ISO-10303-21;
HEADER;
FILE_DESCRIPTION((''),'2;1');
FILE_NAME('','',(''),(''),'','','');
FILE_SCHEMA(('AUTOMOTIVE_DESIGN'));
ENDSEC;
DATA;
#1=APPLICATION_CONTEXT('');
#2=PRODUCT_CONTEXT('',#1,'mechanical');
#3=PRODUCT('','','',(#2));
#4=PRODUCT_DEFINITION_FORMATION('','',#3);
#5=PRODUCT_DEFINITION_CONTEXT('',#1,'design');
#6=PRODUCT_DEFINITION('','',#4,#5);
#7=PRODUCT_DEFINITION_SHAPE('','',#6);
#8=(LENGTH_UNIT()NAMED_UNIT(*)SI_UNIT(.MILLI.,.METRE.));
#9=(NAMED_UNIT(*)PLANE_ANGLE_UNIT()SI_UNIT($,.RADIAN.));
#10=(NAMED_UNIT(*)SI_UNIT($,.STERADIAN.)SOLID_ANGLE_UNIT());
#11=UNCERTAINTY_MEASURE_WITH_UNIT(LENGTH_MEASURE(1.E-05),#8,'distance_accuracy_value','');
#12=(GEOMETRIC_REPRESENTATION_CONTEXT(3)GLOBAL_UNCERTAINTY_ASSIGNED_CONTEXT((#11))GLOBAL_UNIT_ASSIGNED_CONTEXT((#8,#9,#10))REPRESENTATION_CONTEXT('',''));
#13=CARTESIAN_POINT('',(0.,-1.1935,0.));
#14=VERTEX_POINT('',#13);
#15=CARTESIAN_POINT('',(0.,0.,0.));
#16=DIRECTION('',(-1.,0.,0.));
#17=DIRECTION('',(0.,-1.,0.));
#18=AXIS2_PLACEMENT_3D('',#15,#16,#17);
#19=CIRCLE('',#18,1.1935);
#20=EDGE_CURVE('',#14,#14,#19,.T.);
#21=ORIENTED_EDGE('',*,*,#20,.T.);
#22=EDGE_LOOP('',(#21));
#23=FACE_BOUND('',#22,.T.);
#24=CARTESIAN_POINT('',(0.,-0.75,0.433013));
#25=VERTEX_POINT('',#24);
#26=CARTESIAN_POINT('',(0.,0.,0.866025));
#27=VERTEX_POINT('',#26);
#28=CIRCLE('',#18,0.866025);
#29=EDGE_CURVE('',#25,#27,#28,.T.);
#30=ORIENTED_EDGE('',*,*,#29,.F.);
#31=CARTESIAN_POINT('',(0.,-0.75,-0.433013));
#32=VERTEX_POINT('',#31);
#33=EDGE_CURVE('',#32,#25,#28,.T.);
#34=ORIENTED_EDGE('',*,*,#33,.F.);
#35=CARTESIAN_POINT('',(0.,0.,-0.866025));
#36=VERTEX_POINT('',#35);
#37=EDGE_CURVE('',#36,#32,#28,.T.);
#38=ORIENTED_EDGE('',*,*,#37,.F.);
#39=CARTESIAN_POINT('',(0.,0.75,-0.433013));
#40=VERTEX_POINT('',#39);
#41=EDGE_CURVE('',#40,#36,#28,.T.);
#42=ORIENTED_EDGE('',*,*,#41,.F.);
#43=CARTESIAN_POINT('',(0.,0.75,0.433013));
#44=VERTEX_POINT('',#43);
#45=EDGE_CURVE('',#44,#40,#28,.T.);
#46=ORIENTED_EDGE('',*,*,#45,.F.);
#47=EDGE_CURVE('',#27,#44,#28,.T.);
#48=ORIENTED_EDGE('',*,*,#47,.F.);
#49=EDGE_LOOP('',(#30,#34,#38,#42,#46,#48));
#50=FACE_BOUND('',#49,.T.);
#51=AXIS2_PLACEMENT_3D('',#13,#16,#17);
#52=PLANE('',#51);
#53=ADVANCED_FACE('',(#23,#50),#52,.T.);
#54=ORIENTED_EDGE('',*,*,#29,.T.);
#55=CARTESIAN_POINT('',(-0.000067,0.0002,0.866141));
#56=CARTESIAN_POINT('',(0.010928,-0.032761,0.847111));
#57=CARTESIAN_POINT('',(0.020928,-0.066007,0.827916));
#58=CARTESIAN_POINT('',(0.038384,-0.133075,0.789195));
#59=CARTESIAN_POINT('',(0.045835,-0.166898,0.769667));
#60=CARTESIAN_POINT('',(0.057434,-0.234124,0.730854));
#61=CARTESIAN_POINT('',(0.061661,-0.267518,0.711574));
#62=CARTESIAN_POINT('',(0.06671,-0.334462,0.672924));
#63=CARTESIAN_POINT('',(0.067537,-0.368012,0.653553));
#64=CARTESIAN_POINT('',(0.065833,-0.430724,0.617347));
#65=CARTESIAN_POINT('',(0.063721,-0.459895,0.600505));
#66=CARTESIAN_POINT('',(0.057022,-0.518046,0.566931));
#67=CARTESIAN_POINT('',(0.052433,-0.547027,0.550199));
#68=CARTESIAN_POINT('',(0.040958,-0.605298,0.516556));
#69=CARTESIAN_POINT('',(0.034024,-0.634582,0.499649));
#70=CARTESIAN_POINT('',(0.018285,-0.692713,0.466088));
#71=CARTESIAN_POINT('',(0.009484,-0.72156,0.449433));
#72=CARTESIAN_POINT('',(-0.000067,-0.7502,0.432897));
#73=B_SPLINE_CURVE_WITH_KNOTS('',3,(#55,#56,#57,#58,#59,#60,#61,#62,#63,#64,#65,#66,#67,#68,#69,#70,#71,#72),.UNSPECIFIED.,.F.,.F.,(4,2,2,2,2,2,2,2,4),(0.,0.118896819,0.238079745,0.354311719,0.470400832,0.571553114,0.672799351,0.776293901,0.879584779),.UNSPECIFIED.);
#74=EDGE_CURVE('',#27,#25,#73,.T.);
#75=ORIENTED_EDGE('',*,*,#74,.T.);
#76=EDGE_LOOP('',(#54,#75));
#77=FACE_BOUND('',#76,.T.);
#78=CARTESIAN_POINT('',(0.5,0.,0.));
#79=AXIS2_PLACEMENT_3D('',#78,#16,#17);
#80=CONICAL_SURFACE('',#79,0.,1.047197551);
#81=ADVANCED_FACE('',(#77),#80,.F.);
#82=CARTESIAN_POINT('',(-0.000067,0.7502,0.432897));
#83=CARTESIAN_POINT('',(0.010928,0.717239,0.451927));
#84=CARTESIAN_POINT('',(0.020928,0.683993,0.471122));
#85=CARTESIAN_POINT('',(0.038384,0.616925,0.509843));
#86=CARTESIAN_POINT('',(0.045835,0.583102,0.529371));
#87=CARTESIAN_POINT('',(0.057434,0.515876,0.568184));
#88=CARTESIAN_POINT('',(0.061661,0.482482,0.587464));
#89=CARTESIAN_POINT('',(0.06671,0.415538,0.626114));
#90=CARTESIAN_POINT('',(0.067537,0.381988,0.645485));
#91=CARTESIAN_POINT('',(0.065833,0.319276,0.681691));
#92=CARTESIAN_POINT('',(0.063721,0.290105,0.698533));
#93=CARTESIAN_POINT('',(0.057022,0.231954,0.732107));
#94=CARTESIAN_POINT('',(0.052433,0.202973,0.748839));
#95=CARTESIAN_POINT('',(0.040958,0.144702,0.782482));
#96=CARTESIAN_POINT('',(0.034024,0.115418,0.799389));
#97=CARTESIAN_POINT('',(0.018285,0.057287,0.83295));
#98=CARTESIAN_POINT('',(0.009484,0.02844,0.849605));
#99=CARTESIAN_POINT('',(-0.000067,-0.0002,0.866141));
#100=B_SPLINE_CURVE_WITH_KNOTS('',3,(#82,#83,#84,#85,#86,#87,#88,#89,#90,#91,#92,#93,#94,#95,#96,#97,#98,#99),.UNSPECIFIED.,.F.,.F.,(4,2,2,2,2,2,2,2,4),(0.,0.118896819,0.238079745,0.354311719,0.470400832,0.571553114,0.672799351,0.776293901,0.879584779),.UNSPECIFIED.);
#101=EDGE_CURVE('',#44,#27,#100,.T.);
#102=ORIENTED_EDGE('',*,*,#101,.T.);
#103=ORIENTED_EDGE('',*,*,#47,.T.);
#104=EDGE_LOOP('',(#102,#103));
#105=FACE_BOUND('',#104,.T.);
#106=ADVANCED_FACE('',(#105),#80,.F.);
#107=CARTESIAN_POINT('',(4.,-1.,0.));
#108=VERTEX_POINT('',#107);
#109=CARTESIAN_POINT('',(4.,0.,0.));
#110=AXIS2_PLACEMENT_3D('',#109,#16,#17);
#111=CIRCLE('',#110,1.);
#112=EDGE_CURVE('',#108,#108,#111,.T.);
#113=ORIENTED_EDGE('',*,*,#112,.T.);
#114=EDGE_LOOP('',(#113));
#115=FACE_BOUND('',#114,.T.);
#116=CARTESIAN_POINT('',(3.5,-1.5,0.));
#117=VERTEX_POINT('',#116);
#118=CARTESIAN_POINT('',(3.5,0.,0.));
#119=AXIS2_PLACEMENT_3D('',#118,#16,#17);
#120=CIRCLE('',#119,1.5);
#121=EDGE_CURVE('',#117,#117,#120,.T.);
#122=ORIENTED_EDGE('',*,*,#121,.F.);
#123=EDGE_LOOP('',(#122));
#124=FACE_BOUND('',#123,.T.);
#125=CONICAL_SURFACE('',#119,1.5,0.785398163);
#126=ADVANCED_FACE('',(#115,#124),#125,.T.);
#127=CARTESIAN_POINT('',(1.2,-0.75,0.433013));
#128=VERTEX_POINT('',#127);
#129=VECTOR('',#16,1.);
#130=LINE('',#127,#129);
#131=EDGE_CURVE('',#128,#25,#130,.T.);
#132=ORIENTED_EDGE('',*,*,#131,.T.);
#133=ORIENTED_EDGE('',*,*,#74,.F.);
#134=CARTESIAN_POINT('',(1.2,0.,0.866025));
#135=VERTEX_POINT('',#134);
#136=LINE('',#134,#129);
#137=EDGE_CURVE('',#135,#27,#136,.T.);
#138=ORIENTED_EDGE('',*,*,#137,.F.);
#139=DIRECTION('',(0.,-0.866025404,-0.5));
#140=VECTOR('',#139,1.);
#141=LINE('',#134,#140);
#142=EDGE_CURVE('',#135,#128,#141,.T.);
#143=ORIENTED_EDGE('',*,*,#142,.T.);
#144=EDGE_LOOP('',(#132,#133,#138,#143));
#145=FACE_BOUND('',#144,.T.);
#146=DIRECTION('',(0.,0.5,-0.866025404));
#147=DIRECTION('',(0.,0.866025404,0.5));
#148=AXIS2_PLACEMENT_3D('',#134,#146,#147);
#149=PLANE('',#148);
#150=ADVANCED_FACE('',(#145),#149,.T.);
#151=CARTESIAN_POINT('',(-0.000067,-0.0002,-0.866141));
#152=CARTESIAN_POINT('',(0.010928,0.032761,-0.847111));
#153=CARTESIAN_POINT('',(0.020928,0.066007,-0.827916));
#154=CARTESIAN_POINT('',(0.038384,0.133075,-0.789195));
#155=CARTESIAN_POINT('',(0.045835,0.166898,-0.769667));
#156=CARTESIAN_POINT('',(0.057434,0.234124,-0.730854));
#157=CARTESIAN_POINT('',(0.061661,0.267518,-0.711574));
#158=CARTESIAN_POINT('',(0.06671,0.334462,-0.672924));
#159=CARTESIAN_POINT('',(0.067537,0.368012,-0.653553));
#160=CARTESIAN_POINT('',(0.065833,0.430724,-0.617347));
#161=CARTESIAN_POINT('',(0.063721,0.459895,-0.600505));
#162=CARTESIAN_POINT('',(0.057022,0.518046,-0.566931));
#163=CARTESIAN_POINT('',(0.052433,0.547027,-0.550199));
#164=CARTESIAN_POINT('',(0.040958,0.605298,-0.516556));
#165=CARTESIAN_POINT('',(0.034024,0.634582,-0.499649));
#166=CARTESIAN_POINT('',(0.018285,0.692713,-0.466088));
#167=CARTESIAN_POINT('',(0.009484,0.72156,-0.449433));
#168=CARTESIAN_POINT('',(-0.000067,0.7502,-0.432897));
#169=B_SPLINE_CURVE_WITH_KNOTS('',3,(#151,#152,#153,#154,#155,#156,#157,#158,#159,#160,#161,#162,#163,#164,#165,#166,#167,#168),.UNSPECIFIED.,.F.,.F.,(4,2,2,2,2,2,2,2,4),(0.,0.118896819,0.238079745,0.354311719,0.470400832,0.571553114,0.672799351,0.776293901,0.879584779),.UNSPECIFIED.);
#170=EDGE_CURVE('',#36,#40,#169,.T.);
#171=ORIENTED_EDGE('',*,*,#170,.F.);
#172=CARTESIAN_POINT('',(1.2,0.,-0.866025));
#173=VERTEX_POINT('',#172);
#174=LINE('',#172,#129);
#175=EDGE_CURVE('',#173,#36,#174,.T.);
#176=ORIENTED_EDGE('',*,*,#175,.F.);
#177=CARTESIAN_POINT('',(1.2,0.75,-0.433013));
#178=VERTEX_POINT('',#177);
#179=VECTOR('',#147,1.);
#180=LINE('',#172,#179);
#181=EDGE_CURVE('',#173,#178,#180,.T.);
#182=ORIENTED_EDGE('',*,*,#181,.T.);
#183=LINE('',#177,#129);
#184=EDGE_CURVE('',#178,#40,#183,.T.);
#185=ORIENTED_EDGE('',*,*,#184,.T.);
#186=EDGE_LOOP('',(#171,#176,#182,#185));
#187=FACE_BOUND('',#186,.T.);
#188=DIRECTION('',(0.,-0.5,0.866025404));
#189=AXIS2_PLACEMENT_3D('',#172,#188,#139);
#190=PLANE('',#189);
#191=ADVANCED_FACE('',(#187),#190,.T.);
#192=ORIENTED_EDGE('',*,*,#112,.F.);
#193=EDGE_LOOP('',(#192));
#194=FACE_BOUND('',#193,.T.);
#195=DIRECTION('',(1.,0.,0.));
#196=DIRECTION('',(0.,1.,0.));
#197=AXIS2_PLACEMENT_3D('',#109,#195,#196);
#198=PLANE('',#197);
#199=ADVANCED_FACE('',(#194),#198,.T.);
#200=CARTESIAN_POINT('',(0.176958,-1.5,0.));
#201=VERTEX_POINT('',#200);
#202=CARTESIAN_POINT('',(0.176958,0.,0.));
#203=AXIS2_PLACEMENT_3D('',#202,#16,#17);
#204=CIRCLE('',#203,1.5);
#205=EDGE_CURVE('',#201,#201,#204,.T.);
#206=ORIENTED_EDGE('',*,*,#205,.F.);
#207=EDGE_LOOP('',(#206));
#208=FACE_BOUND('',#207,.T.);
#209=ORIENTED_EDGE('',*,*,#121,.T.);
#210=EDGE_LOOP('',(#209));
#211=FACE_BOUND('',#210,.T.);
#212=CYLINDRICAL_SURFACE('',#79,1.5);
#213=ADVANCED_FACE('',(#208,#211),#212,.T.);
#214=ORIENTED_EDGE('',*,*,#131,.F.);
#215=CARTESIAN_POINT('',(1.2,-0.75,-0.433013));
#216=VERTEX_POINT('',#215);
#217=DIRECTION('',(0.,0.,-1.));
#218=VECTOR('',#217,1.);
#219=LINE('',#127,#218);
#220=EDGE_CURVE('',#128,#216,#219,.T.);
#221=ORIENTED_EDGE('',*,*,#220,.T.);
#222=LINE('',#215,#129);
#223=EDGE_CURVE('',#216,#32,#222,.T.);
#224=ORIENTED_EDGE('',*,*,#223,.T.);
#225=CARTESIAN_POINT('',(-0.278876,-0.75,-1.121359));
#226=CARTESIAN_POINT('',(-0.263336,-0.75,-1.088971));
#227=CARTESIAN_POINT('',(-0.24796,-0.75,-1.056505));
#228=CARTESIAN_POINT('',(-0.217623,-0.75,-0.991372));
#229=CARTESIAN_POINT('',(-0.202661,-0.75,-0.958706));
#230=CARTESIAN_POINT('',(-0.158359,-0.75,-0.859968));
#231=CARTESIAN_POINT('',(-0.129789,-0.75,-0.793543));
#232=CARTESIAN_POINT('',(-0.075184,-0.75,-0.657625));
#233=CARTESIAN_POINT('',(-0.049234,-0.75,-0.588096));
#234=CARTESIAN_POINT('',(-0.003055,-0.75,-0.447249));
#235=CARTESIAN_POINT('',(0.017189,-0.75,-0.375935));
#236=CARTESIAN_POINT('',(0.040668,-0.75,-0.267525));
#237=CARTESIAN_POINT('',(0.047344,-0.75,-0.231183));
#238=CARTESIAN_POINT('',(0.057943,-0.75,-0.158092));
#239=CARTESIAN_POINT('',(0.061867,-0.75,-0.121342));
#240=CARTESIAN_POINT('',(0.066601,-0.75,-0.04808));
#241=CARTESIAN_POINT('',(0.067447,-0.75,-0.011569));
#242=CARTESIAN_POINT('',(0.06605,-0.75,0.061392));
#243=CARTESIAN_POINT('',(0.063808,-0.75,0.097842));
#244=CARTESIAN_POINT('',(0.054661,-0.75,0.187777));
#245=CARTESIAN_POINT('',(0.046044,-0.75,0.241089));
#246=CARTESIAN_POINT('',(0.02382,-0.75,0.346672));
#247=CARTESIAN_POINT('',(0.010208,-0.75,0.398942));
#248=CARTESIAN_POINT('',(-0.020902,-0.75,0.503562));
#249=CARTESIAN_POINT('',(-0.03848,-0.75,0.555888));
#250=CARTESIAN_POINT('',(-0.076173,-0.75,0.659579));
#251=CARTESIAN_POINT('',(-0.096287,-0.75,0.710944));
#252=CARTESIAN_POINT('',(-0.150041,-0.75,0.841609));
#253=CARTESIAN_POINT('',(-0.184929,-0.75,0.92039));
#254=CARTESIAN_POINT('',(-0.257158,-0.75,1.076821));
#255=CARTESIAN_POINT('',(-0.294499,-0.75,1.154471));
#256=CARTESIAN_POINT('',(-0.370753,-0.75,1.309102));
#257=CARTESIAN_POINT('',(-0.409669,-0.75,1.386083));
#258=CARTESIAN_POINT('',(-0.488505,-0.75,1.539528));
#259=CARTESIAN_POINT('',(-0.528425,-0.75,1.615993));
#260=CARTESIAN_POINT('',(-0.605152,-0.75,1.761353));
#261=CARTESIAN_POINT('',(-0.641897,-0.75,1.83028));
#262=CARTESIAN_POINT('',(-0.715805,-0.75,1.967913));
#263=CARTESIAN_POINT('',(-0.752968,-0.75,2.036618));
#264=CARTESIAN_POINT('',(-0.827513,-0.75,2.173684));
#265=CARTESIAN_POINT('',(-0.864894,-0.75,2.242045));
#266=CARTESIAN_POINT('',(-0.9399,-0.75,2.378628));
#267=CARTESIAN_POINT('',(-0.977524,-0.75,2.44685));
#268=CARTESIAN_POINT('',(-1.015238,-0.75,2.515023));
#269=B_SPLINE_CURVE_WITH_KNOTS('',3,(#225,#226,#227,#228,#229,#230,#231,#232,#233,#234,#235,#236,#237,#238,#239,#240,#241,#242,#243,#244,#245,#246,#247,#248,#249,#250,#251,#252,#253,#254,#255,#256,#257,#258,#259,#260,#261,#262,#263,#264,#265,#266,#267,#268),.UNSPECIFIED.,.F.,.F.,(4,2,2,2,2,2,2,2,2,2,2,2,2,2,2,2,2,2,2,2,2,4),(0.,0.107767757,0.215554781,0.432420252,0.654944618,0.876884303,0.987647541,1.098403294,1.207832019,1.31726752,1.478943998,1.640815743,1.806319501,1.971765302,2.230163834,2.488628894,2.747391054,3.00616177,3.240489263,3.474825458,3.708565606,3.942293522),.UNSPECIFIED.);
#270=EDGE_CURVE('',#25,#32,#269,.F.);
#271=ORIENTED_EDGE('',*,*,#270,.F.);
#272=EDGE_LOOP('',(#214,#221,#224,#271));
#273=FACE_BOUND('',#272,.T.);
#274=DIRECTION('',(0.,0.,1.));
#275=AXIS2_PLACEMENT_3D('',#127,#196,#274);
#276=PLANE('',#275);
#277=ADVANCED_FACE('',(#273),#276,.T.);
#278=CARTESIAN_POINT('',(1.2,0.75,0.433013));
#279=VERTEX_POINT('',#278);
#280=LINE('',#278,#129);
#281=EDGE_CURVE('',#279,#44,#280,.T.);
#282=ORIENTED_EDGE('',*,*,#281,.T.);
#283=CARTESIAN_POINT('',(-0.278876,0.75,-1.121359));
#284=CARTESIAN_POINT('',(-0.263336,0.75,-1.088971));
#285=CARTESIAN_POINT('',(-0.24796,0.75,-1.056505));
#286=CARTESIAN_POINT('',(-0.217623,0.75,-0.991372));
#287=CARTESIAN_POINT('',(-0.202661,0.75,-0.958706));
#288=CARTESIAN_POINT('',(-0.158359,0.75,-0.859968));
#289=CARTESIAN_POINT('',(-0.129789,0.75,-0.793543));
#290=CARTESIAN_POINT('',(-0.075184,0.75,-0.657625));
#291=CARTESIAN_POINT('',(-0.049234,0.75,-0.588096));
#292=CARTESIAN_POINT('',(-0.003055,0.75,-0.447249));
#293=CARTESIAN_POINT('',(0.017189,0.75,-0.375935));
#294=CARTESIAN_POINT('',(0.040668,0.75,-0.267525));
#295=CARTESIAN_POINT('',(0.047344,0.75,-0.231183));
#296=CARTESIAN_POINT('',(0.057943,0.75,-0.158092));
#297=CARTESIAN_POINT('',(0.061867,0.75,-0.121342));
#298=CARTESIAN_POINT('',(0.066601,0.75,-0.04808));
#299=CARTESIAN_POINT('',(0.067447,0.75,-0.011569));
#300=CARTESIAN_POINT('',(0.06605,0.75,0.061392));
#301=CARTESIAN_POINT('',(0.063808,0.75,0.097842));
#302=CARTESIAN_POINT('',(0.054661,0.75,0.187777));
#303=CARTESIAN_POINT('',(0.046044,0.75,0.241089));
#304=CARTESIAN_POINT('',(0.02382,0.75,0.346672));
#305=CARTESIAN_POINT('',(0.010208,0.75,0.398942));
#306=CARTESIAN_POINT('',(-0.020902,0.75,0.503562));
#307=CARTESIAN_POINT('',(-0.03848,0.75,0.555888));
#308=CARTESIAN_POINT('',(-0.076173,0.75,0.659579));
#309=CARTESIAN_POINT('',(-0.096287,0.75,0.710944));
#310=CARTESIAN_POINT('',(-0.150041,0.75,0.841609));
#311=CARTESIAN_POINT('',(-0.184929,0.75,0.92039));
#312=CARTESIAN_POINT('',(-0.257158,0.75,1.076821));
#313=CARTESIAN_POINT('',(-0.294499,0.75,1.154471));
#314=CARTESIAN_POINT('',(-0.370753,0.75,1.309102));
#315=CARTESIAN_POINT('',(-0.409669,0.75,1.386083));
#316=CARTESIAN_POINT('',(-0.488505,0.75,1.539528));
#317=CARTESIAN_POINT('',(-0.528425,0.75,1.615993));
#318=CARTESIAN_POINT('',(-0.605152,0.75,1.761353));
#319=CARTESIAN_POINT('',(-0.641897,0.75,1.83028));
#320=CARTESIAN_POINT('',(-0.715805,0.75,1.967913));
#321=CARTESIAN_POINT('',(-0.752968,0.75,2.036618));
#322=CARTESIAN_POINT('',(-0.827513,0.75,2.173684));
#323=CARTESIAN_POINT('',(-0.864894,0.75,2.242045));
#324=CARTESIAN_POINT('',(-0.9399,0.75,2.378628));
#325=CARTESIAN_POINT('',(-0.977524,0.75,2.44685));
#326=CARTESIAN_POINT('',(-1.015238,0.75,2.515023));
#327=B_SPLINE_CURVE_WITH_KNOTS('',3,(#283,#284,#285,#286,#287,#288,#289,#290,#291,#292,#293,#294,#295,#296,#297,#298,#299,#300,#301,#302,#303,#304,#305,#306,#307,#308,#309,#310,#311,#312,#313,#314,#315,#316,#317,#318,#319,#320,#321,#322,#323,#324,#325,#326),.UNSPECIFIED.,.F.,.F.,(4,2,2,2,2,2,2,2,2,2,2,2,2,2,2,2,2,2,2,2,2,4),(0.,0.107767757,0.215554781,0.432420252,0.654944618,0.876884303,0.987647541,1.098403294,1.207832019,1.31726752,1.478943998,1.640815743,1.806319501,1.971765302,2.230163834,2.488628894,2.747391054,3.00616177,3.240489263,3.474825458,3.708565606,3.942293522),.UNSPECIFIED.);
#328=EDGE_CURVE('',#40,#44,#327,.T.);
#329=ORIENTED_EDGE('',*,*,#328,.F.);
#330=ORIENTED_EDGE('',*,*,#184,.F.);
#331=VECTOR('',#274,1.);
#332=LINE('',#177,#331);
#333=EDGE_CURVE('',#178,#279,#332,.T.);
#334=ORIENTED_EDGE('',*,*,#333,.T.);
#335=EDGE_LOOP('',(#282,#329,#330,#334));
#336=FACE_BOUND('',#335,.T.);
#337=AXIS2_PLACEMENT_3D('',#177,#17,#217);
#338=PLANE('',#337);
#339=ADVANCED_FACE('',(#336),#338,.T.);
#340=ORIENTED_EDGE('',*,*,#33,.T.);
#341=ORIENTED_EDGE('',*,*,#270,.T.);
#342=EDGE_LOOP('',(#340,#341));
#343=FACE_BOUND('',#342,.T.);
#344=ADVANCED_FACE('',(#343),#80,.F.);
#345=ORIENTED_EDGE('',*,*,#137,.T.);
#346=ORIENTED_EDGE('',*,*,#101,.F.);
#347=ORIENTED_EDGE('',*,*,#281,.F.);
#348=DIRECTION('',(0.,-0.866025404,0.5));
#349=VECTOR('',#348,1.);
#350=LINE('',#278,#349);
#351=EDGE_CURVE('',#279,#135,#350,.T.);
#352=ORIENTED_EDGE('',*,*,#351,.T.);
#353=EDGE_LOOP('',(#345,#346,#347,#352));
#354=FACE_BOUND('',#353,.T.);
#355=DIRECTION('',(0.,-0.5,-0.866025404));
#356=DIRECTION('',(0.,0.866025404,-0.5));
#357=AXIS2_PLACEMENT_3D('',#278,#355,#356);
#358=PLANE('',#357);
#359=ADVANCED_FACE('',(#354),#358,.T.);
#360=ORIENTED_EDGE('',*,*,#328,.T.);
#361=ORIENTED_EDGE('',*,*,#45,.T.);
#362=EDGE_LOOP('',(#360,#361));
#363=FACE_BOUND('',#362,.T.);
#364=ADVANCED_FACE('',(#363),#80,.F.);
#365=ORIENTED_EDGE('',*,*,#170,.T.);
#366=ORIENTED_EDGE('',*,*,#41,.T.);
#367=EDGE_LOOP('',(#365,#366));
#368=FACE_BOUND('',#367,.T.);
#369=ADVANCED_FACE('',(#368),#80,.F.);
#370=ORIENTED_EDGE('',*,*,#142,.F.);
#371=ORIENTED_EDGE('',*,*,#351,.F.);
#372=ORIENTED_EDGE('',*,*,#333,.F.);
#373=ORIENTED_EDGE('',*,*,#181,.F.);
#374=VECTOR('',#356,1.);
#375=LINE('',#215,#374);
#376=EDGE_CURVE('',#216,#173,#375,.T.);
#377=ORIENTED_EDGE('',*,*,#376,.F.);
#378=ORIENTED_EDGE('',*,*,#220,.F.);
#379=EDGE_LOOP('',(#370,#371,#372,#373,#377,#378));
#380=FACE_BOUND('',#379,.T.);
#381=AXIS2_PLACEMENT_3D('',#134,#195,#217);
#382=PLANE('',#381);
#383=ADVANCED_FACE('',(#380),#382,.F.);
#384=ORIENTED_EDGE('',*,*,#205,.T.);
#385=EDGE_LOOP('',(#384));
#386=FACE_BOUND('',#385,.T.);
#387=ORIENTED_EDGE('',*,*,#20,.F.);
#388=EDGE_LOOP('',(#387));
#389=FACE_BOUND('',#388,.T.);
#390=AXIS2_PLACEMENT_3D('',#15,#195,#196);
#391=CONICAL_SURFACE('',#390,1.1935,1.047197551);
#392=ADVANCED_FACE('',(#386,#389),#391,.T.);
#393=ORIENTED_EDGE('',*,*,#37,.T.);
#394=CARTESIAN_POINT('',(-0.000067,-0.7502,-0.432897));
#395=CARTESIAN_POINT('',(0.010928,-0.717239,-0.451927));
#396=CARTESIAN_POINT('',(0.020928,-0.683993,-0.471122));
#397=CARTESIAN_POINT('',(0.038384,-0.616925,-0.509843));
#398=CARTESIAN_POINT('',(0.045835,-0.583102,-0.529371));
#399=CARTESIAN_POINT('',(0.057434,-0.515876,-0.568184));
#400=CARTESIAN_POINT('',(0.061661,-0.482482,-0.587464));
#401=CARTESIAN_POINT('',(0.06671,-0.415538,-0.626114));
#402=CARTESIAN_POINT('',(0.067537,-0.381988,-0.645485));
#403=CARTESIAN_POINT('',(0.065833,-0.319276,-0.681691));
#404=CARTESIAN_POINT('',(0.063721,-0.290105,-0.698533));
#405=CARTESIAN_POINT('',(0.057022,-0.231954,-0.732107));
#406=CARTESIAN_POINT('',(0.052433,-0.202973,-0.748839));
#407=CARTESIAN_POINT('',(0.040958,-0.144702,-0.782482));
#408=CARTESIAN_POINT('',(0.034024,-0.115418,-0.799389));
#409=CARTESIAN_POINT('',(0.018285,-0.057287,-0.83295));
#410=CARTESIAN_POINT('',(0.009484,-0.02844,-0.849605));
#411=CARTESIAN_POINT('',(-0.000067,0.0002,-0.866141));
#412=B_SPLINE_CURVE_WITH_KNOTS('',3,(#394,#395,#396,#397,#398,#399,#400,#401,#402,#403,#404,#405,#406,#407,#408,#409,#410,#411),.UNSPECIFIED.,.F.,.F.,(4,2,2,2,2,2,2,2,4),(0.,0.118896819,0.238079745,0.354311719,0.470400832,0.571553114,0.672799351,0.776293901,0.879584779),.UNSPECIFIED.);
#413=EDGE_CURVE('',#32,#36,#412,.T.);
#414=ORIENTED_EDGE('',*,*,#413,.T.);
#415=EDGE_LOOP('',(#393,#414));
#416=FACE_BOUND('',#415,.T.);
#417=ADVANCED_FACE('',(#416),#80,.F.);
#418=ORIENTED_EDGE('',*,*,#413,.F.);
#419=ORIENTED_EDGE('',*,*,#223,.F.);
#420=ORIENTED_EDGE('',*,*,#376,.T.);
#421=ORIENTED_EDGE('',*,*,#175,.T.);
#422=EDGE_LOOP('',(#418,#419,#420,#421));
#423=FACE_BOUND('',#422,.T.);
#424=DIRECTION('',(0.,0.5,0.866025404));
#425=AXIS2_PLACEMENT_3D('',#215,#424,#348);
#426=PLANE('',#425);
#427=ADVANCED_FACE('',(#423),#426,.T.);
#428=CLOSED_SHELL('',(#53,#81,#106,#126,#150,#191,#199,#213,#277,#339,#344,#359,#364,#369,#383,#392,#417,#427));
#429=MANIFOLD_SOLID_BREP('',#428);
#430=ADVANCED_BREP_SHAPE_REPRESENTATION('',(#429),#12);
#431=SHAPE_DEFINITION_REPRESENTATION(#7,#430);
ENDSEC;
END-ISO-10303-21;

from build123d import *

# Parameters (mm, degrees)
CUT_EXTRUDE1_DEPTH = 1.2


with BuildPart() as part:
    # Sketch1 → Revolve1 (revolve)
    with BuildSketch(Plane.XY):
        Polygon((4, 0), (4, -1), (3.5, -1.5), (0.176957858, -1.5), (0, -1.1935), (0, -0.866025404), (0.5, 0), align=None)
    revolve(axis=Axis((0.5, 0, 0), (1, 0, 0)))

    # Sketch2 → Cut-Extrude1 (cut)
    with BuildSketch(Plane(origin=(0, 0, 0), x_dir=(0, 0, -1), z_dir=(1, 0, 0))):
        Polygon((-0.866025404, 0), (-0.433012702, -0.75), (0.433012702, -0.75), (0.866025404, 0), (0.433012702, 0.75), (-0.433012702, 0.75), align=None)
    extrude(amount=CUT_EXTRUDE1_DEPTH, mode=Mode.SUBTRACT)


solid = part.part
